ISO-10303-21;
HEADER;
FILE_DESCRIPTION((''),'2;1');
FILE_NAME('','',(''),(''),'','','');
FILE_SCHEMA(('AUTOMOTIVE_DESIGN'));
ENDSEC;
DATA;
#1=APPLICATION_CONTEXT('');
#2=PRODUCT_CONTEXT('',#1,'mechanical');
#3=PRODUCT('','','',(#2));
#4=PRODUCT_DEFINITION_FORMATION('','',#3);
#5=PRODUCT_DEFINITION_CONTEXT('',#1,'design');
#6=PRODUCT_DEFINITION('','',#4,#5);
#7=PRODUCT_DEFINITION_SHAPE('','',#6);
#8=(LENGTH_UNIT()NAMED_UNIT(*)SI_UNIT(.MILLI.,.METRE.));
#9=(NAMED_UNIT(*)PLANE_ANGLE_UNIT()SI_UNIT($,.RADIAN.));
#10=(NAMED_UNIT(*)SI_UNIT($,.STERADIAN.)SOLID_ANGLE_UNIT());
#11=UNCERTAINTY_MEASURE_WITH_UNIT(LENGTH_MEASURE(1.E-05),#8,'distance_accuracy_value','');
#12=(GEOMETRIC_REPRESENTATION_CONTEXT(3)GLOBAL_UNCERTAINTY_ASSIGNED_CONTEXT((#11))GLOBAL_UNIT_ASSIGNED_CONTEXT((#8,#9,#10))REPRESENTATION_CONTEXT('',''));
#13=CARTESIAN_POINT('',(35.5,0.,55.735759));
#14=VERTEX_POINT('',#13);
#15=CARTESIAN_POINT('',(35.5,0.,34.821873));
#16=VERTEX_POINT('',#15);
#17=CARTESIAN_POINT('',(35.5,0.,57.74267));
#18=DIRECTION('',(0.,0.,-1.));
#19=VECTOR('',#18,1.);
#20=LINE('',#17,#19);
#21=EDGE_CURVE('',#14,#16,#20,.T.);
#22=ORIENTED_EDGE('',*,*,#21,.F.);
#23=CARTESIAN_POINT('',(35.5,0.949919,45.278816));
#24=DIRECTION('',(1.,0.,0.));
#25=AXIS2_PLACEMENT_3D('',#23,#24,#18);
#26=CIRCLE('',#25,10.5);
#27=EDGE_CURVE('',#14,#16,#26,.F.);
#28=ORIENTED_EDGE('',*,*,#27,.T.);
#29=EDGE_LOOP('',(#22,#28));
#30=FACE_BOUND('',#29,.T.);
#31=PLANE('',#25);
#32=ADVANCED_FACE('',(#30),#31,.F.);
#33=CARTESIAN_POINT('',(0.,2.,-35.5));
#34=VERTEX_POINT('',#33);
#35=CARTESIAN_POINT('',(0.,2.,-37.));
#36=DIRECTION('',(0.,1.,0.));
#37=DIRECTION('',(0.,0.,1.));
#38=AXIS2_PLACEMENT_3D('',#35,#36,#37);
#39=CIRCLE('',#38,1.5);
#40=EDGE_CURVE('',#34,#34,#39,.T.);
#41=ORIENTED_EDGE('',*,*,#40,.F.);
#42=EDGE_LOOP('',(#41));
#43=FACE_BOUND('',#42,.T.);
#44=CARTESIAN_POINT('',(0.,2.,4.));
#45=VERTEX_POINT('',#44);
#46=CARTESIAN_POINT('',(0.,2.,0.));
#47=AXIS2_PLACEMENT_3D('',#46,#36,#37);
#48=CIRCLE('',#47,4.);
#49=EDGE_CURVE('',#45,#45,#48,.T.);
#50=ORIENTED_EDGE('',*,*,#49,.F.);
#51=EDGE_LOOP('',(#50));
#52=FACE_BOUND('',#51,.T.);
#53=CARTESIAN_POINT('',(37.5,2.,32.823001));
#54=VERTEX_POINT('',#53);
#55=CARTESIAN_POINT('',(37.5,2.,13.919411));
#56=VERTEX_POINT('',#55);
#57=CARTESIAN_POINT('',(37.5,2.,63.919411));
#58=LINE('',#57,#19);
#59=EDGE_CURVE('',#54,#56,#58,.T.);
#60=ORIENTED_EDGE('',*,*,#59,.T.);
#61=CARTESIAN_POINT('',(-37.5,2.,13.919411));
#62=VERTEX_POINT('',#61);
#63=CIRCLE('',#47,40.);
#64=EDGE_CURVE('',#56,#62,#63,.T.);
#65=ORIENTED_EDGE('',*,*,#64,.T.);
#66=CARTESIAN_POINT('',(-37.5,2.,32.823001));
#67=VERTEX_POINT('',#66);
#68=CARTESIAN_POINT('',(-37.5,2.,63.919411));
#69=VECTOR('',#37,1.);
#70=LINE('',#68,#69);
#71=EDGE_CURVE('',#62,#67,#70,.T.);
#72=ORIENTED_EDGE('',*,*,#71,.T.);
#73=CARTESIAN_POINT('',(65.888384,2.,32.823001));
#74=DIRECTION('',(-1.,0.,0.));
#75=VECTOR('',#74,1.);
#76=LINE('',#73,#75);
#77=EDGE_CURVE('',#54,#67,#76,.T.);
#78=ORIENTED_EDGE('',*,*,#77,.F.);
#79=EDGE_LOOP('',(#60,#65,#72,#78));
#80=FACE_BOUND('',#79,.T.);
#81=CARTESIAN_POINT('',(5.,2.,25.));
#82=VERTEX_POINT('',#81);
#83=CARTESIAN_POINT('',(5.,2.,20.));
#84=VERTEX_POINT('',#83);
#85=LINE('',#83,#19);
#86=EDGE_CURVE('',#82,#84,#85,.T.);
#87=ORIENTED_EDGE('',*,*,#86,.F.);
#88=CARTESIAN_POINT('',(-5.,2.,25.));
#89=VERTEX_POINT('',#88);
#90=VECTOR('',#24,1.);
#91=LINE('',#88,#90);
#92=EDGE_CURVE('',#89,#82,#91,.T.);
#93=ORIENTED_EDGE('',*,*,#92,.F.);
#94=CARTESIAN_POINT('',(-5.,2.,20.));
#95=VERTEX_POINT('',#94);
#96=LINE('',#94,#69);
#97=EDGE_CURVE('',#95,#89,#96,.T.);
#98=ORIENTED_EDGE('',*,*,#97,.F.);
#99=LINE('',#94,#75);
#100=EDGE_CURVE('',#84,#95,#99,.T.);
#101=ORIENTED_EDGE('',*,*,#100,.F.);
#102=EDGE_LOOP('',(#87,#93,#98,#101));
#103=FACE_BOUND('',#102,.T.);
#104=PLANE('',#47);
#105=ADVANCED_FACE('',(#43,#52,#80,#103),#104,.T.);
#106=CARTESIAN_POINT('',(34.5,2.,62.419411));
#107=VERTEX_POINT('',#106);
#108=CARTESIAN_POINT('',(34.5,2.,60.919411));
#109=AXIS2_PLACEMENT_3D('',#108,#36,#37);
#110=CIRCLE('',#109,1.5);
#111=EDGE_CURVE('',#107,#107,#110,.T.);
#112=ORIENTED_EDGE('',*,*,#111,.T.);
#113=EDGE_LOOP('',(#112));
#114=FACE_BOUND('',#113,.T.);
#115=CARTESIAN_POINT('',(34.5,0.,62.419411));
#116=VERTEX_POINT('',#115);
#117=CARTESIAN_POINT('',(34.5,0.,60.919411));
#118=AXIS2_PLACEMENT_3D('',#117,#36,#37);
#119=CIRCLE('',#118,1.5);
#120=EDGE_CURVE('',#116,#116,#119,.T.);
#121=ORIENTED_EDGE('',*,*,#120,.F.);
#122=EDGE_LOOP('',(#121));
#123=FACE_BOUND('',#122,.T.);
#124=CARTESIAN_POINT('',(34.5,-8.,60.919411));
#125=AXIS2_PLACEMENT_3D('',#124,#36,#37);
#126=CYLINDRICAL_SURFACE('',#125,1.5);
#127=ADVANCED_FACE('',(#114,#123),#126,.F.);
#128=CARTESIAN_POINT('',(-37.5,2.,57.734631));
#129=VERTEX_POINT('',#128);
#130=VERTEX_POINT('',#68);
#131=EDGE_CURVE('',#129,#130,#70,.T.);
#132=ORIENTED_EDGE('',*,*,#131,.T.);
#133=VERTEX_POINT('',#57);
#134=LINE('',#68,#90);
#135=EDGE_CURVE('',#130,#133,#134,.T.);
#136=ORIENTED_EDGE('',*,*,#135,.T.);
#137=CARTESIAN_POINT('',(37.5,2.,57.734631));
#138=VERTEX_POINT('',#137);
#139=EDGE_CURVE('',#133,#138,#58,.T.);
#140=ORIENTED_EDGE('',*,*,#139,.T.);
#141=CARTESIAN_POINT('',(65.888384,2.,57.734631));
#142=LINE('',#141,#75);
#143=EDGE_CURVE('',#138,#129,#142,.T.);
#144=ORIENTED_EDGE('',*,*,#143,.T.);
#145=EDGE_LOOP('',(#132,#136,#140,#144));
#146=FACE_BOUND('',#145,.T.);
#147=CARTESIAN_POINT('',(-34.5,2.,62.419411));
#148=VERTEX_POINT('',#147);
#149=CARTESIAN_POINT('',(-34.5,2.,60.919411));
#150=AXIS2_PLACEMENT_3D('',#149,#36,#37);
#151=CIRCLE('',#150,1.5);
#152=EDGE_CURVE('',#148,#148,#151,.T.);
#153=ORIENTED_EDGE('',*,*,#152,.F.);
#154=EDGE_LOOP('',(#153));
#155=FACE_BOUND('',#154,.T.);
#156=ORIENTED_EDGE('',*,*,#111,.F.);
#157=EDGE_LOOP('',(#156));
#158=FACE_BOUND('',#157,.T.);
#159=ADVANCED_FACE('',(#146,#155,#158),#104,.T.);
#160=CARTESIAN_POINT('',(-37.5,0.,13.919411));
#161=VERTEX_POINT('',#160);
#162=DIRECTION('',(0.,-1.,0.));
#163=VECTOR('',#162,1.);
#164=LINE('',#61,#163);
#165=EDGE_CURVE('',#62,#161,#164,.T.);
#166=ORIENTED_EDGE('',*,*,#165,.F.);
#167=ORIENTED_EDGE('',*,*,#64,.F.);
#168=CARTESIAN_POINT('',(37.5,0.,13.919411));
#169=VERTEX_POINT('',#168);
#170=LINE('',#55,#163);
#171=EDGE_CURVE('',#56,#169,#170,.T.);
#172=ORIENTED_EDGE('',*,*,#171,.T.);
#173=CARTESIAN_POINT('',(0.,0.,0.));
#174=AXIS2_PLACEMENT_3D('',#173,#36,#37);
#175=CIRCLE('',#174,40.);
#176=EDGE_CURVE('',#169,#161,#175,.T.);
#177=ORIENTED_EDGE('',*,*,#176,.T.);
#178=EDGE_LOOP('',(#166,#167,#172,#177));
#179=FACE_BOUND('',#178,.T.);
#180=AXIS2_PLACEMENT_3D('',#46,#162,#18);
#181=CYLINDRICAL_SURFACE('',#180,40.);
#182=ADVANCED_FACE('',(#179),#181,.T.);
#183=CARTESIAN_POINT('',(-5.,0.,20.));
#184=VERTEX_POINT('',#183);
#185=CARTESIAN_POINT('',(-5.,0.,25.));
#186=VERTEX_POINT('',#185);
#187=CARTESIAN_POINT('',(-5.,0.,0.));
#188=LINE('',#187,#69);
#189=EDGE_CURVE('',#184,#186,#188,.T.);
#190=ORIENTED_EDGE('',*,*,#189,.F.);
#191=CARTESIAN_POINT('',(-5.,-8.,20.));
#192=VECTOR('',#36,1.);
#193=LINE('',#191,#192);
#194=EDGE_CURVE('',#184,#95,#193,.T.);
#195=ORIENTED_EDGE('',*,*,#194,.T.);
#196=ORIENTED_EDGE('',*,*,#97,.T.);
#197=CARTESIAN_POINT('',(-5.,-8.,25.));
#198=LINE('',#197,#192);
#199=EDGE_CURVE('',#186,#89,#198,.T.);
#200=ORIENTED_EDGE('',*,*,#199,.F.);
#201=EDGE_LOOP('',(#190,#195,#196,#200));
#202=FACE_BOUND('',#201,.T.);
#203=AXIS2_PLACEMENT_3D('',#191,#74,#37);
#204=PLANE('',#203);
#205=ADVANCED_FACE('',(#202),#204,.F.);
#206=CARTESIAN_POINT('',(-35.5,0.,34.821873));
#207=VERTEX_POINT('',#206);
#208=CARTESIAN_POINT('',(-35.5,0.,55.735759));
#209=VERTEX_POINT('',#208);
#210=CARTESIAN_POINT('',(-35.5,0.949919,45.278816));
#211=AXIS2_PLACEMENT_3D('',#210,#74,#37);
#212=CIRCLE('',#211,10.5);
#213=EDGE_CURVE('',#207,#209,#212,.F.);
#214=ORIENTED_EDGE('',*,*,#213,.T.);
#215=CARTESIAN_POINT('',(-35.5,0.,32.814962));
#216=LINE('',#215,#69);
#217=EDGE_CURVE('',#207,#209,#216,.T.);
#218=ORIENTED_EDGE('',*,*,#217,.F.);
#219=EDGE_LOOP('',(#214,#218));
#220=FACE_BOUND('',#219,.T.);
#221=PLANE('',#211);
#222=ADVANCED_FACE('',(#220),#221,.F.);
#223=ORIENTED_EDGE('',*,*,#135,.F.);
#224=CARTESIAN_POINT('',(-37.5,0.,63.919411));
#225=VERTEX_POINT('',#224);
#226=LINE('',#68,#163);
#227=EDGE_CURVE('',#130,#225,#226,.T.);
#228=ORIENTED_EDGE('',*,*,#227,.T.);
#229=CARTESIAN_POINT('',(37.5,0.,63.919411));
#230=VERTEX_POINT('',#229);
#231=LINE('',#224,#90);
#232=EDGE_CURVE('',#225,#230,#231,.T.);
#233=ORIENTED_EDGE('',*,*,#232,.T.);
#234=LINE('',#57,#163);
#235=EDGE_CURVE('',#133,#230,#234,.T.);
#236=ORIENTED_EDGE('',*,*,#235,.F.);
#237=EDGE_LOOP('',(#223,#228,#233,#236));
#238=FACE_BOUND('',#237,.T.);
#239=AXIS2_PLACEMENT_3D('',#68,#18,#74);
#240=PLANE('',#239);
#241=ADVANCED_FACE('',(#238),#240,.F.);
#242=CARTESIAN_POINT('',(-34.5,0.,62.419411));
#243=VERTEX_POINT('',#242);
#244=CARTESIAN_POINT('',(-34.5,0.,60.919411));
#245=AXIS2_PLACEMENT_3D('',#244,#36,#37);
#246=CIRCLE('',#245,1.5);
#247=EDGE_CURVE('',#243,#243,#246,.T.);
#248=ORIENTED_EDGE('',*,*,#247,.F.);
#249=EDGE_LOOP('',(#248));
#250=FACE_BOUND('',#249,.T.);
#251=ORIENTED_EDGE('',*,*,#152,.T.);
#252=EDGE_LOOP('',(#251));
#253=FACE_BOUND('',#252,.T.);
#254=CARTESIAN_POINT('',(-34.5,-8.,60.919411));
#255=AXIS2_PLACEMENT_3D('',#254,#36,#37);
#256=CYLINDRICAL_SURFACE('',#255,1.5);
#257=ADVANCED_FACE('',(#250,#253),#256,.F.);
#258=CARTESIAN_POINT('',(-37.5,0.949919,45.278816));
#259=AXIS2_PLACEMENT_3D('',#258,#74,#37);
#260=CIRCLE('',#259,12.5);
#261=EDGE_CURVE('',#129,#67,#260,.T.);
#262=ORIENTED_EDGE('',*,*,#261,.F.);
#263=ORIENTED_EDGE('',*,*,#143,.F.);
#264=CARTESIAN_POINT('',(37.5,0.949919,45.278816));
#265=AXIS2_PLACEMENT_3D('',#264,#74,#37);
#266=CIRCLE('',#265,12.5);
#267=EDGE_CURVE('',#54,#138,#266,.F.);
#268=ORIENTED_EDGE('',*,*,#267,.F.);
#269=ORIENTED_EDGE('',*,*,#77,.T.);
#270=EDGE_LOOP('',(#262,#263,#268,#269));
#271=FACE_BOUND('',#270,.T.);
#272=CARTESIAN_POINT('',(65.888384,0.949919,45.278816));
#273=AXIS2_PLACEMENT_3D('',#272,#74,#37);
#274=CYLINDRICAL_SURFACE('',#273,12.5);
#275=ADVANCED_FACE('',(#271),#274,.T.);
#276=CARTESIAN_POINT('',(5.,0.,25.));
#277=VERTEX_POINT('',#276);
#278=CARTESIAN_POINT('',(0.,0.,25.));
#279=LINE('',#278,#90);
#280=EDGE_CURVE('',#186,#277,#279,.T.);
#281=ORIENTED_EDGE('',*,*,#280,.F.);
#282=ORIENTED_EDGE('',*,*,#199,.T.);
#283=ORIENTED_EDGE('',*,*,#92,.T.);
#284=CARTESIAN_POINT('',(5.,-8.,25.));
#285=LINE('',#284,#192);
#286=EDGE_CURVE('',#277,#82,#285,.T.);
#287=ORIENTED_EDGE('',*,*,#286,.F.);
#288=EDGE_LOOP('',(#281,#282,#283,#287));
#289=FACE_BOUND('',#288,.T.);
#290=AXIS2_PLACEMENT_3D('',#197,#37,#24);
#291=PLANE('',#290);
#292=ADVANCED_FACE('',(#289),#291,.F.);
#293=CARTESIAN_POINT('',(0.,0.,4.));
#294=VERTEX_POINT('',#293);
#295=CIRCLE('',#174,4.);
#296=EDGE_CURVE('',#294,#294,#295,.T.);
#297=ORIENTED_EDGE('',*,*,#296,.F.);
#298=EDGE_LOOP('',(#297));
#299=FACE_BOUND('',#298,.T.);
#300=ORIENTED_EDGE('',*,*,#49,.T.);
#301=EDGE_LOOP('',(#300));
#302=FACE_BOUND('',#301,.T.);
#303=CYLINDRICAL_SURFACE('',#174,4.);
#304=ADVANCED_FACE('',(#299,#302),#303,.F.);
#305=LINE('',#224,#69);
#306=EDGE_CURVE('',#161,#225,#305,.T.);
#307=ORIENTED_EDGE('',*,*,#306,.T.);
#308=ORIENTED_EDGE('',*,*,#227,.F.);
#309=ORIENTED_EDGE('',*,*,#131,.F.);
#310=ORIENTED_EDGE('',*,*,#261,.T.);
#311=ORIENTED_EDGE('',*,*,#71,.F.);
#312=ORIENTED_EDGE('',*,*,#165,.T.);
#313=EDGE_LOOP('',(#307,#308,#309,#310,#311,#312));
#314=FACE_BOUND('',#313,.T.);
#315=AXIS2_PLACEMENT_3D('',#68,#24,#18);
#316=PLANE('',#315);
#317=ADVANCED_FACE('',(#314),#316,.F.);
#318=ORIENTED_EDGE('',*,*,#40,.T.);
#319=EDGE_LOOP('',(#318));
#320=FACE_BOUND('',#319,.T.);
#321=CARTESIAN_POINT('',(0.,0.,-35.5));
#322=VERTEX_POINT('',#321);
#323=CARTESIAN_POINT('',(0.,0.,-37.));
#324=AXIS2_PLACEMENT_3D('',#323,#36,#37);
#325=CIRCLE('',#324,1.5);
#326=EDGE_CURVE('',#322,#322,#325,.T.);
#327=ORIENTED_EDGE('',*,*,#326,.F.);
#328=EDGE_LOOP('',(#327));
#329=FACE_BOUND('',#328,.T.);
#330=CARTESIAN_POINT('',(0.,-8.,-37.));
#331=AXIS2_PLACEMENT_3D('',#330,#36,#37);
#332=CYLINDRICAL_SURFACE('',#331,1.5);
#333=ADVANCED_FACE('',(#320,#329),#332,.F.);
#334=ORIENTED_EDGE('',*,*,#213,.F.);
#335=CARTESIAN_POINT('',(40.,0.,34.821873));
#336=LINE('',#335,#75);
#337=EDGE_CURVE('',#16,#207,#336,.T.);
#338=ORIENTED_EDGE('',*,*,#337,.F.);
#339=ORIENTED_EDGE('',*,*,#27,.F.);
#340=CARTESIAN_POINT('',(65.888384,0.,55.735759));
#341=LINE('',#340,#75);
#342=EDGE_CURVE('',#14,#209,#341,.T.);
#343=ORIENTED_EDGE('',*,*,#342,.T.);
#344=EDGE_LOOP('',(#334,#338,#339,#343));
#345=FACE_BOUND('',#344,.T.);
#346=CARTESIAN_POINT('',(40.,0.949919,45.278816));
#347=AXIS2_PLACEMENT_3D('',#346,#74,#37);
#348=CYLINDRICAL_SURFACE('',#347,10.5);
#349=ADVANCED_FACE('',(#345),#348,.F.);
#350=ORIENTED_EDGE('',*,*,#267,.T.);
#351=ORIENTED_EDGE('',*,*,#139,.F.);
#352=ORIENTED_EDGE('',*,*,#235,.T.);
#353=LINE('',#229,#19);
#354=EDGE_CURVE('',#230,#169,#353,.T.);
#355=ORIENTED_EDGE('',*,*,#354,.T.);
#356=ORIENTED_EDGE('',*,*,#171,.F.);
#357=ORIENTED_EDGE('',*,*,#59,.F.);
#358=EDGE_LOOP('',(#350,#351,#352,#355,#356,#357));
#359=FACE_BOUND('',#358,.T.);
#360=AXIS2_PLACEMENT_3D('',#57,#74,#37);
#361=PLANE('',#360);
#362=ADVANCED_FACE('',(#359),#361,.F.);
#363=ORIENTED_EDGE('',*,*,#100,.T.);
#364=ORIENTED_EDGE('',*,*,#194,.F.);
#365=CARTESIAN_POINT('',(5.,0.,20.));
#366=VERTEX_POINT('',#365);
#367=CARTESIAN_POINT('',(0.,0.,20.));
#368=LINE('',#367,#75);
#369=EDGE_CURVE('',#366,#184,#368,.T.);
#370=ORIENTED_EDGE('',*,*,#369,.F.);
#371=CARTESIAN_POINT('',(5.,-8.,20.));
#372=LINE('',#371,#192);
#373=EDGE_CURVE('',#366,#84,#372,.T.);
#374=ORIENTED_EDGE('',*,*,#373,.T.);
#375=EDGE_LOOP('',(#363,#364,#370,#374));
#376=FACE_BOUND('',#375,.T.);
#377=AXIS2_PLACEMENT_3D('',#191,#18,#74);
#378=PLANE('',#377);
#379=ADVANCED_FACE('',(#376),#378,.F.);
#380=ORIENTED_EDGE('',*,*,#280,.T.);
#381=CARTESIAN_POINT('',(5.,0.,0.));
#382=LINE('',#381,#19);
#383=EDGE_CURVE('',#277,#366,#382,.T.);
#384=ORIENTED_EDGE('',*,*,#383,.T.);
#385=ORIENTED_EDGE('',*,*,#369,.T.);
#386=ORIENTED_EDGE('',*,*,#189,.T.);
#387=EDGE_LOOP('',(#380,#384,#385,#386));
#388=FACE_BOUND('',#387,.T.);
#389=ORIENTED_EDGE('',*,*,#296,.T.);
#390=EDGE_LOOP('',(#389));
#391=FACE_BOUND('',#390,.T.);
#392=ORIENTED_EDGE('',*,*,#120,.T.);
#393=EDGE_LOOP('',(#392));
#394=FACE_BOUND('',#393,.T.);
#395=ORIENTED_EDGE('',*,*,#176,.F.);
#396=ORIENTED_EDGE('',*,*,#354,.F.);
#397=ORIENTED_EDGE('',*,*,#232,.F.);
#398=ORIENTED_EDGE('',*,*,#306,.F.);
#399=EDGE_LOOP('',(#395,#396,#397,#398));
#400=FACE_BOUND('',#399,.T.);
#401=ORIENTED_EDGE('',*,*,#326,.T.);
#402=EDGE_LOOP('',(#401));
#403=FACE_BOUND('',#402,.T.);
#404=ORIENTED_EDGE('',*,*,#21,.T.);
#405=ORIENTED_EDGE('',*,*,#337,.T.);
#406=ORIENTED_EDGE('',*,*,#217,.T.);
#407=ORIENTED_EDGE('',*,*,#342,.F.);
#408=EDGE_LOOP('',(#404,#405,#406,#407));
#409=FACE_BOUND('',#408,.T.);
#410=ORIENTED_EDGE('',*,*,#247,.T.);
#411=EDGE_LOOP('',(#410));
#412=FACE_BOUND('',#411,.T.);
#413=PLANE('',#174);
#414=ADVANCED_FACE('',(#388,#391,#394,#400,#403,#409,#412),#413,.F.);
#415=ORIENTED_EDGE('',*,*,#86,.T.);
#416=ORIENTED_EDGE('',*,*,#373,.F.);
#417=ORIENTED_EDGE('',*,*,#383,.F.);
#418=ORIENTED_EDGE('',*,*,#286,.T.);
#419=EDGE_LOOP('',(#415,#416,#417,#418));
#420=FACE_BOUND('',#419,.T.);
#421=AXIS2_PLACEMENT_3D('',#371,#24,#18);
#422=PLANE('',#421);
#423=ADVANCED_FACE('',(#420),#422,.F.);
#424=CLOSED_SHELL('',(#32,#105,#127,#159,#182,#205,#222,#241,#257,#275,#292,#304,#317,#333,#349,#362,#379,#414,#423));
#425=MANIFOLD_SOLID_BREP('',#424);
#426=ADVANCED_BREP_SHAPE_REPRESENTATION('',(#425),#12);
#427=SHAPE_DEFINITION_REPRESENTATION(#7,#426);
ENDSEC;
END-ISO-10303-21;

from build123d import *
from build123d.topology import SkipClean

# Parameters (mm, degrees)
BOSS_EXTRUDE1_DEPTH = 2
SKETCH2_R           = 4
CUT_EXTRUDE1_DEPTH  = 2
SKETCH3_W           = 10
SKETCH3_H           = 5
CUT_EXTRUDE2_DEPTH  = 10
SKETCH7_R           = 1.5
CUT_EXTRUDE3_DEPTH  = 10
SKETCH8_R           = 10.5
CUT_EXTRUDE4_DEPTH  = 101.478560353
BOSS_EXTRUDE2_DEPTH = 75
BOSS_EXTRUDE3_DEPTH = 2
BOSS_EXTRUDE4_DEPTH = 2


with BuildPart() as part:
    # Sketch1 → Boss-Extrude1 (new body)
    with BuildSketch(Plane(origin=(0, 0, 0), x_dir=(1, 0, 0), z_dir=(0, 1, 0))):
        with BuildLine():
            Line((-37.5, -63.919410907), (37.5, -63.919410907))
            Line((37.5, -63.919410907), (37.5, -13.919410907))
            ThreePointArc((37.5, -13.919410907), (0, 40), (-37.5, -13.919410907))
            Line((-37.5, -13.919410907), (-37.5, -63.919410907))
        make_face()
    extrude(amount=BOSS_EXTRUDE1_DEPTH)

    # Sketch2 → Cut-Extrude1 (cut)
    with BuildSketch(Plane(origin=(0, 2, 0), x_dir=(1, 0, 0), z_dir=(0, 1, 0))):
        with Locations(Location((0, 0, 0), (0, 0, 270))):
            Circle(SKETCH2_R)
    extrude(amount=-CUT_EXTRUDE1_DEPTH, mode=Mode.SUBTRACT)

    # Sketch3 → Cut-Extrude2 (cut)
    with BuildSketch(Plane(origin=(0, 2, 0), x_dir=(1, 0, 0), z_dir=(0, 1, 0))):
        with Locations((0, -22.5)):
            Rectangle(SKETCH3_W, SKETCH3_H)
    extrude(amount=-CUT_EXTRUDE2_DEPTH, mode=Mode.SUBTRACT)

    # Sketch7 → Cut-Extrude3 (cut)
    with BuildSketch(Plane(origin=(0, 2, 0), x_dir=(1, 0, 0), z_dir=(0, 1, 0))):
        with Locations(Location((0, 37, 0), (0, 0, 270))):
            Circle(SKETCH7_R)
        with Locations(Location((-34.5, -60.919410907, 0), (0, 0, 270))):
            Circle(SKETCH7_R)
        with Locations(Location((34.5, -60.919410907, 0), (0, 0, 270))):
            Circle(SKETCH7_R)
    extrude(amount=-CUT_EXTRUDE3_DEPTH, mode=Mode.SUBTRACT)

    # Sketch8 → Cut-Extrude4 (cut, through all)
    with BuildSketch(Plane.ZY.offset(37.5)):
        with Locations((45.278815685, 0.949918898)):
            Circle(SKETCH8_R)
    extrude(amount=-CUT_EXTRUDE4_DEPTH, mode=Mode.SUBTRACT)


with BuildPart() as cut_extrude4_piece_1:
    # of the separate pieces the step leaves, piece 1, a body of its own (cut_extrude4_pieces)
    add(part.part.solids().sort_by_distance((-37.5, 0, 13.919410907))[0])



with BuildPart() as cut_extrude4_piece_2:
    # of the separate pieces the step leaves, piece 2, a body of its own (cut_extrude4_pieces)
    add(part.part.solids().sort_by_distance((-37.5, 0, 55.73575855))[0])


with BuildPart() as cut_extrude4_piece_1_1:
    with SkipClean():  # the faces are left unmerged after this step: merging them gives an invalid solid
        add(cut_extrude4_piece_1.part)

        add(cut_extrude4_piece_2.part)  # Boss-Extrude2 merges Cut-Extrude4 piece 2
        # Sketch9 → Boss-Extrude2 (add)
        with BuildSketch(Plane.ZY.offset(37.5)):
            with BuildLine():
                Line((32.814961783, 0), (34.821872819, 0))
                ThreePointArc((34.821872819, 0), (45.278815685, 11.449918898), (55.73575855, 0))
                Line((55.73575855, 0), (57.742669586, 0))
                ThreePointArc((57.742669586, 0), (45.278815685, 13.449918898), (32.814961783, 0))
            make_face()
        extrude(amount=-BOSS_EXTRUDE2_DEPTH)

    # Sketch10 → Boss-Extrude3 (add)
    with BuildSketch(Plane.ZY.offset(37.5)):
        with BuildLine():
            Line((32.814961783, 0), (57.742669586, 0))
            ThreePointArc((57.742669586, 0), (45.278815685, 13.449918898), (32.814961783, 0))
        make_face()
    extrude(amount=-BOSS_EXTRUDE3_DEPTH)

    # Sketch11 → Boss-Extrude4 (add)
    with SkipClean():  # the faces are left unmerged after this step: merging them gives an invalid solid
        with BuildSketch(Plane(origin=(37.5, 0, 0), x_dir=(0, 0, -1), z_dir=(1, 0, 0))):
            with BuildLine():
                Line((-57.742669586, 0), (-32.814961783, 0))
                ThreePointArc((-32.814961783, 0), (-45.278815685, 13.449918898), (-57.742669586, 0))
            make_face()
        extrude(amount=-BOSS_EXTRUDE4_DEPTH)


solid = cut_extrude4_piece_1_1.part
